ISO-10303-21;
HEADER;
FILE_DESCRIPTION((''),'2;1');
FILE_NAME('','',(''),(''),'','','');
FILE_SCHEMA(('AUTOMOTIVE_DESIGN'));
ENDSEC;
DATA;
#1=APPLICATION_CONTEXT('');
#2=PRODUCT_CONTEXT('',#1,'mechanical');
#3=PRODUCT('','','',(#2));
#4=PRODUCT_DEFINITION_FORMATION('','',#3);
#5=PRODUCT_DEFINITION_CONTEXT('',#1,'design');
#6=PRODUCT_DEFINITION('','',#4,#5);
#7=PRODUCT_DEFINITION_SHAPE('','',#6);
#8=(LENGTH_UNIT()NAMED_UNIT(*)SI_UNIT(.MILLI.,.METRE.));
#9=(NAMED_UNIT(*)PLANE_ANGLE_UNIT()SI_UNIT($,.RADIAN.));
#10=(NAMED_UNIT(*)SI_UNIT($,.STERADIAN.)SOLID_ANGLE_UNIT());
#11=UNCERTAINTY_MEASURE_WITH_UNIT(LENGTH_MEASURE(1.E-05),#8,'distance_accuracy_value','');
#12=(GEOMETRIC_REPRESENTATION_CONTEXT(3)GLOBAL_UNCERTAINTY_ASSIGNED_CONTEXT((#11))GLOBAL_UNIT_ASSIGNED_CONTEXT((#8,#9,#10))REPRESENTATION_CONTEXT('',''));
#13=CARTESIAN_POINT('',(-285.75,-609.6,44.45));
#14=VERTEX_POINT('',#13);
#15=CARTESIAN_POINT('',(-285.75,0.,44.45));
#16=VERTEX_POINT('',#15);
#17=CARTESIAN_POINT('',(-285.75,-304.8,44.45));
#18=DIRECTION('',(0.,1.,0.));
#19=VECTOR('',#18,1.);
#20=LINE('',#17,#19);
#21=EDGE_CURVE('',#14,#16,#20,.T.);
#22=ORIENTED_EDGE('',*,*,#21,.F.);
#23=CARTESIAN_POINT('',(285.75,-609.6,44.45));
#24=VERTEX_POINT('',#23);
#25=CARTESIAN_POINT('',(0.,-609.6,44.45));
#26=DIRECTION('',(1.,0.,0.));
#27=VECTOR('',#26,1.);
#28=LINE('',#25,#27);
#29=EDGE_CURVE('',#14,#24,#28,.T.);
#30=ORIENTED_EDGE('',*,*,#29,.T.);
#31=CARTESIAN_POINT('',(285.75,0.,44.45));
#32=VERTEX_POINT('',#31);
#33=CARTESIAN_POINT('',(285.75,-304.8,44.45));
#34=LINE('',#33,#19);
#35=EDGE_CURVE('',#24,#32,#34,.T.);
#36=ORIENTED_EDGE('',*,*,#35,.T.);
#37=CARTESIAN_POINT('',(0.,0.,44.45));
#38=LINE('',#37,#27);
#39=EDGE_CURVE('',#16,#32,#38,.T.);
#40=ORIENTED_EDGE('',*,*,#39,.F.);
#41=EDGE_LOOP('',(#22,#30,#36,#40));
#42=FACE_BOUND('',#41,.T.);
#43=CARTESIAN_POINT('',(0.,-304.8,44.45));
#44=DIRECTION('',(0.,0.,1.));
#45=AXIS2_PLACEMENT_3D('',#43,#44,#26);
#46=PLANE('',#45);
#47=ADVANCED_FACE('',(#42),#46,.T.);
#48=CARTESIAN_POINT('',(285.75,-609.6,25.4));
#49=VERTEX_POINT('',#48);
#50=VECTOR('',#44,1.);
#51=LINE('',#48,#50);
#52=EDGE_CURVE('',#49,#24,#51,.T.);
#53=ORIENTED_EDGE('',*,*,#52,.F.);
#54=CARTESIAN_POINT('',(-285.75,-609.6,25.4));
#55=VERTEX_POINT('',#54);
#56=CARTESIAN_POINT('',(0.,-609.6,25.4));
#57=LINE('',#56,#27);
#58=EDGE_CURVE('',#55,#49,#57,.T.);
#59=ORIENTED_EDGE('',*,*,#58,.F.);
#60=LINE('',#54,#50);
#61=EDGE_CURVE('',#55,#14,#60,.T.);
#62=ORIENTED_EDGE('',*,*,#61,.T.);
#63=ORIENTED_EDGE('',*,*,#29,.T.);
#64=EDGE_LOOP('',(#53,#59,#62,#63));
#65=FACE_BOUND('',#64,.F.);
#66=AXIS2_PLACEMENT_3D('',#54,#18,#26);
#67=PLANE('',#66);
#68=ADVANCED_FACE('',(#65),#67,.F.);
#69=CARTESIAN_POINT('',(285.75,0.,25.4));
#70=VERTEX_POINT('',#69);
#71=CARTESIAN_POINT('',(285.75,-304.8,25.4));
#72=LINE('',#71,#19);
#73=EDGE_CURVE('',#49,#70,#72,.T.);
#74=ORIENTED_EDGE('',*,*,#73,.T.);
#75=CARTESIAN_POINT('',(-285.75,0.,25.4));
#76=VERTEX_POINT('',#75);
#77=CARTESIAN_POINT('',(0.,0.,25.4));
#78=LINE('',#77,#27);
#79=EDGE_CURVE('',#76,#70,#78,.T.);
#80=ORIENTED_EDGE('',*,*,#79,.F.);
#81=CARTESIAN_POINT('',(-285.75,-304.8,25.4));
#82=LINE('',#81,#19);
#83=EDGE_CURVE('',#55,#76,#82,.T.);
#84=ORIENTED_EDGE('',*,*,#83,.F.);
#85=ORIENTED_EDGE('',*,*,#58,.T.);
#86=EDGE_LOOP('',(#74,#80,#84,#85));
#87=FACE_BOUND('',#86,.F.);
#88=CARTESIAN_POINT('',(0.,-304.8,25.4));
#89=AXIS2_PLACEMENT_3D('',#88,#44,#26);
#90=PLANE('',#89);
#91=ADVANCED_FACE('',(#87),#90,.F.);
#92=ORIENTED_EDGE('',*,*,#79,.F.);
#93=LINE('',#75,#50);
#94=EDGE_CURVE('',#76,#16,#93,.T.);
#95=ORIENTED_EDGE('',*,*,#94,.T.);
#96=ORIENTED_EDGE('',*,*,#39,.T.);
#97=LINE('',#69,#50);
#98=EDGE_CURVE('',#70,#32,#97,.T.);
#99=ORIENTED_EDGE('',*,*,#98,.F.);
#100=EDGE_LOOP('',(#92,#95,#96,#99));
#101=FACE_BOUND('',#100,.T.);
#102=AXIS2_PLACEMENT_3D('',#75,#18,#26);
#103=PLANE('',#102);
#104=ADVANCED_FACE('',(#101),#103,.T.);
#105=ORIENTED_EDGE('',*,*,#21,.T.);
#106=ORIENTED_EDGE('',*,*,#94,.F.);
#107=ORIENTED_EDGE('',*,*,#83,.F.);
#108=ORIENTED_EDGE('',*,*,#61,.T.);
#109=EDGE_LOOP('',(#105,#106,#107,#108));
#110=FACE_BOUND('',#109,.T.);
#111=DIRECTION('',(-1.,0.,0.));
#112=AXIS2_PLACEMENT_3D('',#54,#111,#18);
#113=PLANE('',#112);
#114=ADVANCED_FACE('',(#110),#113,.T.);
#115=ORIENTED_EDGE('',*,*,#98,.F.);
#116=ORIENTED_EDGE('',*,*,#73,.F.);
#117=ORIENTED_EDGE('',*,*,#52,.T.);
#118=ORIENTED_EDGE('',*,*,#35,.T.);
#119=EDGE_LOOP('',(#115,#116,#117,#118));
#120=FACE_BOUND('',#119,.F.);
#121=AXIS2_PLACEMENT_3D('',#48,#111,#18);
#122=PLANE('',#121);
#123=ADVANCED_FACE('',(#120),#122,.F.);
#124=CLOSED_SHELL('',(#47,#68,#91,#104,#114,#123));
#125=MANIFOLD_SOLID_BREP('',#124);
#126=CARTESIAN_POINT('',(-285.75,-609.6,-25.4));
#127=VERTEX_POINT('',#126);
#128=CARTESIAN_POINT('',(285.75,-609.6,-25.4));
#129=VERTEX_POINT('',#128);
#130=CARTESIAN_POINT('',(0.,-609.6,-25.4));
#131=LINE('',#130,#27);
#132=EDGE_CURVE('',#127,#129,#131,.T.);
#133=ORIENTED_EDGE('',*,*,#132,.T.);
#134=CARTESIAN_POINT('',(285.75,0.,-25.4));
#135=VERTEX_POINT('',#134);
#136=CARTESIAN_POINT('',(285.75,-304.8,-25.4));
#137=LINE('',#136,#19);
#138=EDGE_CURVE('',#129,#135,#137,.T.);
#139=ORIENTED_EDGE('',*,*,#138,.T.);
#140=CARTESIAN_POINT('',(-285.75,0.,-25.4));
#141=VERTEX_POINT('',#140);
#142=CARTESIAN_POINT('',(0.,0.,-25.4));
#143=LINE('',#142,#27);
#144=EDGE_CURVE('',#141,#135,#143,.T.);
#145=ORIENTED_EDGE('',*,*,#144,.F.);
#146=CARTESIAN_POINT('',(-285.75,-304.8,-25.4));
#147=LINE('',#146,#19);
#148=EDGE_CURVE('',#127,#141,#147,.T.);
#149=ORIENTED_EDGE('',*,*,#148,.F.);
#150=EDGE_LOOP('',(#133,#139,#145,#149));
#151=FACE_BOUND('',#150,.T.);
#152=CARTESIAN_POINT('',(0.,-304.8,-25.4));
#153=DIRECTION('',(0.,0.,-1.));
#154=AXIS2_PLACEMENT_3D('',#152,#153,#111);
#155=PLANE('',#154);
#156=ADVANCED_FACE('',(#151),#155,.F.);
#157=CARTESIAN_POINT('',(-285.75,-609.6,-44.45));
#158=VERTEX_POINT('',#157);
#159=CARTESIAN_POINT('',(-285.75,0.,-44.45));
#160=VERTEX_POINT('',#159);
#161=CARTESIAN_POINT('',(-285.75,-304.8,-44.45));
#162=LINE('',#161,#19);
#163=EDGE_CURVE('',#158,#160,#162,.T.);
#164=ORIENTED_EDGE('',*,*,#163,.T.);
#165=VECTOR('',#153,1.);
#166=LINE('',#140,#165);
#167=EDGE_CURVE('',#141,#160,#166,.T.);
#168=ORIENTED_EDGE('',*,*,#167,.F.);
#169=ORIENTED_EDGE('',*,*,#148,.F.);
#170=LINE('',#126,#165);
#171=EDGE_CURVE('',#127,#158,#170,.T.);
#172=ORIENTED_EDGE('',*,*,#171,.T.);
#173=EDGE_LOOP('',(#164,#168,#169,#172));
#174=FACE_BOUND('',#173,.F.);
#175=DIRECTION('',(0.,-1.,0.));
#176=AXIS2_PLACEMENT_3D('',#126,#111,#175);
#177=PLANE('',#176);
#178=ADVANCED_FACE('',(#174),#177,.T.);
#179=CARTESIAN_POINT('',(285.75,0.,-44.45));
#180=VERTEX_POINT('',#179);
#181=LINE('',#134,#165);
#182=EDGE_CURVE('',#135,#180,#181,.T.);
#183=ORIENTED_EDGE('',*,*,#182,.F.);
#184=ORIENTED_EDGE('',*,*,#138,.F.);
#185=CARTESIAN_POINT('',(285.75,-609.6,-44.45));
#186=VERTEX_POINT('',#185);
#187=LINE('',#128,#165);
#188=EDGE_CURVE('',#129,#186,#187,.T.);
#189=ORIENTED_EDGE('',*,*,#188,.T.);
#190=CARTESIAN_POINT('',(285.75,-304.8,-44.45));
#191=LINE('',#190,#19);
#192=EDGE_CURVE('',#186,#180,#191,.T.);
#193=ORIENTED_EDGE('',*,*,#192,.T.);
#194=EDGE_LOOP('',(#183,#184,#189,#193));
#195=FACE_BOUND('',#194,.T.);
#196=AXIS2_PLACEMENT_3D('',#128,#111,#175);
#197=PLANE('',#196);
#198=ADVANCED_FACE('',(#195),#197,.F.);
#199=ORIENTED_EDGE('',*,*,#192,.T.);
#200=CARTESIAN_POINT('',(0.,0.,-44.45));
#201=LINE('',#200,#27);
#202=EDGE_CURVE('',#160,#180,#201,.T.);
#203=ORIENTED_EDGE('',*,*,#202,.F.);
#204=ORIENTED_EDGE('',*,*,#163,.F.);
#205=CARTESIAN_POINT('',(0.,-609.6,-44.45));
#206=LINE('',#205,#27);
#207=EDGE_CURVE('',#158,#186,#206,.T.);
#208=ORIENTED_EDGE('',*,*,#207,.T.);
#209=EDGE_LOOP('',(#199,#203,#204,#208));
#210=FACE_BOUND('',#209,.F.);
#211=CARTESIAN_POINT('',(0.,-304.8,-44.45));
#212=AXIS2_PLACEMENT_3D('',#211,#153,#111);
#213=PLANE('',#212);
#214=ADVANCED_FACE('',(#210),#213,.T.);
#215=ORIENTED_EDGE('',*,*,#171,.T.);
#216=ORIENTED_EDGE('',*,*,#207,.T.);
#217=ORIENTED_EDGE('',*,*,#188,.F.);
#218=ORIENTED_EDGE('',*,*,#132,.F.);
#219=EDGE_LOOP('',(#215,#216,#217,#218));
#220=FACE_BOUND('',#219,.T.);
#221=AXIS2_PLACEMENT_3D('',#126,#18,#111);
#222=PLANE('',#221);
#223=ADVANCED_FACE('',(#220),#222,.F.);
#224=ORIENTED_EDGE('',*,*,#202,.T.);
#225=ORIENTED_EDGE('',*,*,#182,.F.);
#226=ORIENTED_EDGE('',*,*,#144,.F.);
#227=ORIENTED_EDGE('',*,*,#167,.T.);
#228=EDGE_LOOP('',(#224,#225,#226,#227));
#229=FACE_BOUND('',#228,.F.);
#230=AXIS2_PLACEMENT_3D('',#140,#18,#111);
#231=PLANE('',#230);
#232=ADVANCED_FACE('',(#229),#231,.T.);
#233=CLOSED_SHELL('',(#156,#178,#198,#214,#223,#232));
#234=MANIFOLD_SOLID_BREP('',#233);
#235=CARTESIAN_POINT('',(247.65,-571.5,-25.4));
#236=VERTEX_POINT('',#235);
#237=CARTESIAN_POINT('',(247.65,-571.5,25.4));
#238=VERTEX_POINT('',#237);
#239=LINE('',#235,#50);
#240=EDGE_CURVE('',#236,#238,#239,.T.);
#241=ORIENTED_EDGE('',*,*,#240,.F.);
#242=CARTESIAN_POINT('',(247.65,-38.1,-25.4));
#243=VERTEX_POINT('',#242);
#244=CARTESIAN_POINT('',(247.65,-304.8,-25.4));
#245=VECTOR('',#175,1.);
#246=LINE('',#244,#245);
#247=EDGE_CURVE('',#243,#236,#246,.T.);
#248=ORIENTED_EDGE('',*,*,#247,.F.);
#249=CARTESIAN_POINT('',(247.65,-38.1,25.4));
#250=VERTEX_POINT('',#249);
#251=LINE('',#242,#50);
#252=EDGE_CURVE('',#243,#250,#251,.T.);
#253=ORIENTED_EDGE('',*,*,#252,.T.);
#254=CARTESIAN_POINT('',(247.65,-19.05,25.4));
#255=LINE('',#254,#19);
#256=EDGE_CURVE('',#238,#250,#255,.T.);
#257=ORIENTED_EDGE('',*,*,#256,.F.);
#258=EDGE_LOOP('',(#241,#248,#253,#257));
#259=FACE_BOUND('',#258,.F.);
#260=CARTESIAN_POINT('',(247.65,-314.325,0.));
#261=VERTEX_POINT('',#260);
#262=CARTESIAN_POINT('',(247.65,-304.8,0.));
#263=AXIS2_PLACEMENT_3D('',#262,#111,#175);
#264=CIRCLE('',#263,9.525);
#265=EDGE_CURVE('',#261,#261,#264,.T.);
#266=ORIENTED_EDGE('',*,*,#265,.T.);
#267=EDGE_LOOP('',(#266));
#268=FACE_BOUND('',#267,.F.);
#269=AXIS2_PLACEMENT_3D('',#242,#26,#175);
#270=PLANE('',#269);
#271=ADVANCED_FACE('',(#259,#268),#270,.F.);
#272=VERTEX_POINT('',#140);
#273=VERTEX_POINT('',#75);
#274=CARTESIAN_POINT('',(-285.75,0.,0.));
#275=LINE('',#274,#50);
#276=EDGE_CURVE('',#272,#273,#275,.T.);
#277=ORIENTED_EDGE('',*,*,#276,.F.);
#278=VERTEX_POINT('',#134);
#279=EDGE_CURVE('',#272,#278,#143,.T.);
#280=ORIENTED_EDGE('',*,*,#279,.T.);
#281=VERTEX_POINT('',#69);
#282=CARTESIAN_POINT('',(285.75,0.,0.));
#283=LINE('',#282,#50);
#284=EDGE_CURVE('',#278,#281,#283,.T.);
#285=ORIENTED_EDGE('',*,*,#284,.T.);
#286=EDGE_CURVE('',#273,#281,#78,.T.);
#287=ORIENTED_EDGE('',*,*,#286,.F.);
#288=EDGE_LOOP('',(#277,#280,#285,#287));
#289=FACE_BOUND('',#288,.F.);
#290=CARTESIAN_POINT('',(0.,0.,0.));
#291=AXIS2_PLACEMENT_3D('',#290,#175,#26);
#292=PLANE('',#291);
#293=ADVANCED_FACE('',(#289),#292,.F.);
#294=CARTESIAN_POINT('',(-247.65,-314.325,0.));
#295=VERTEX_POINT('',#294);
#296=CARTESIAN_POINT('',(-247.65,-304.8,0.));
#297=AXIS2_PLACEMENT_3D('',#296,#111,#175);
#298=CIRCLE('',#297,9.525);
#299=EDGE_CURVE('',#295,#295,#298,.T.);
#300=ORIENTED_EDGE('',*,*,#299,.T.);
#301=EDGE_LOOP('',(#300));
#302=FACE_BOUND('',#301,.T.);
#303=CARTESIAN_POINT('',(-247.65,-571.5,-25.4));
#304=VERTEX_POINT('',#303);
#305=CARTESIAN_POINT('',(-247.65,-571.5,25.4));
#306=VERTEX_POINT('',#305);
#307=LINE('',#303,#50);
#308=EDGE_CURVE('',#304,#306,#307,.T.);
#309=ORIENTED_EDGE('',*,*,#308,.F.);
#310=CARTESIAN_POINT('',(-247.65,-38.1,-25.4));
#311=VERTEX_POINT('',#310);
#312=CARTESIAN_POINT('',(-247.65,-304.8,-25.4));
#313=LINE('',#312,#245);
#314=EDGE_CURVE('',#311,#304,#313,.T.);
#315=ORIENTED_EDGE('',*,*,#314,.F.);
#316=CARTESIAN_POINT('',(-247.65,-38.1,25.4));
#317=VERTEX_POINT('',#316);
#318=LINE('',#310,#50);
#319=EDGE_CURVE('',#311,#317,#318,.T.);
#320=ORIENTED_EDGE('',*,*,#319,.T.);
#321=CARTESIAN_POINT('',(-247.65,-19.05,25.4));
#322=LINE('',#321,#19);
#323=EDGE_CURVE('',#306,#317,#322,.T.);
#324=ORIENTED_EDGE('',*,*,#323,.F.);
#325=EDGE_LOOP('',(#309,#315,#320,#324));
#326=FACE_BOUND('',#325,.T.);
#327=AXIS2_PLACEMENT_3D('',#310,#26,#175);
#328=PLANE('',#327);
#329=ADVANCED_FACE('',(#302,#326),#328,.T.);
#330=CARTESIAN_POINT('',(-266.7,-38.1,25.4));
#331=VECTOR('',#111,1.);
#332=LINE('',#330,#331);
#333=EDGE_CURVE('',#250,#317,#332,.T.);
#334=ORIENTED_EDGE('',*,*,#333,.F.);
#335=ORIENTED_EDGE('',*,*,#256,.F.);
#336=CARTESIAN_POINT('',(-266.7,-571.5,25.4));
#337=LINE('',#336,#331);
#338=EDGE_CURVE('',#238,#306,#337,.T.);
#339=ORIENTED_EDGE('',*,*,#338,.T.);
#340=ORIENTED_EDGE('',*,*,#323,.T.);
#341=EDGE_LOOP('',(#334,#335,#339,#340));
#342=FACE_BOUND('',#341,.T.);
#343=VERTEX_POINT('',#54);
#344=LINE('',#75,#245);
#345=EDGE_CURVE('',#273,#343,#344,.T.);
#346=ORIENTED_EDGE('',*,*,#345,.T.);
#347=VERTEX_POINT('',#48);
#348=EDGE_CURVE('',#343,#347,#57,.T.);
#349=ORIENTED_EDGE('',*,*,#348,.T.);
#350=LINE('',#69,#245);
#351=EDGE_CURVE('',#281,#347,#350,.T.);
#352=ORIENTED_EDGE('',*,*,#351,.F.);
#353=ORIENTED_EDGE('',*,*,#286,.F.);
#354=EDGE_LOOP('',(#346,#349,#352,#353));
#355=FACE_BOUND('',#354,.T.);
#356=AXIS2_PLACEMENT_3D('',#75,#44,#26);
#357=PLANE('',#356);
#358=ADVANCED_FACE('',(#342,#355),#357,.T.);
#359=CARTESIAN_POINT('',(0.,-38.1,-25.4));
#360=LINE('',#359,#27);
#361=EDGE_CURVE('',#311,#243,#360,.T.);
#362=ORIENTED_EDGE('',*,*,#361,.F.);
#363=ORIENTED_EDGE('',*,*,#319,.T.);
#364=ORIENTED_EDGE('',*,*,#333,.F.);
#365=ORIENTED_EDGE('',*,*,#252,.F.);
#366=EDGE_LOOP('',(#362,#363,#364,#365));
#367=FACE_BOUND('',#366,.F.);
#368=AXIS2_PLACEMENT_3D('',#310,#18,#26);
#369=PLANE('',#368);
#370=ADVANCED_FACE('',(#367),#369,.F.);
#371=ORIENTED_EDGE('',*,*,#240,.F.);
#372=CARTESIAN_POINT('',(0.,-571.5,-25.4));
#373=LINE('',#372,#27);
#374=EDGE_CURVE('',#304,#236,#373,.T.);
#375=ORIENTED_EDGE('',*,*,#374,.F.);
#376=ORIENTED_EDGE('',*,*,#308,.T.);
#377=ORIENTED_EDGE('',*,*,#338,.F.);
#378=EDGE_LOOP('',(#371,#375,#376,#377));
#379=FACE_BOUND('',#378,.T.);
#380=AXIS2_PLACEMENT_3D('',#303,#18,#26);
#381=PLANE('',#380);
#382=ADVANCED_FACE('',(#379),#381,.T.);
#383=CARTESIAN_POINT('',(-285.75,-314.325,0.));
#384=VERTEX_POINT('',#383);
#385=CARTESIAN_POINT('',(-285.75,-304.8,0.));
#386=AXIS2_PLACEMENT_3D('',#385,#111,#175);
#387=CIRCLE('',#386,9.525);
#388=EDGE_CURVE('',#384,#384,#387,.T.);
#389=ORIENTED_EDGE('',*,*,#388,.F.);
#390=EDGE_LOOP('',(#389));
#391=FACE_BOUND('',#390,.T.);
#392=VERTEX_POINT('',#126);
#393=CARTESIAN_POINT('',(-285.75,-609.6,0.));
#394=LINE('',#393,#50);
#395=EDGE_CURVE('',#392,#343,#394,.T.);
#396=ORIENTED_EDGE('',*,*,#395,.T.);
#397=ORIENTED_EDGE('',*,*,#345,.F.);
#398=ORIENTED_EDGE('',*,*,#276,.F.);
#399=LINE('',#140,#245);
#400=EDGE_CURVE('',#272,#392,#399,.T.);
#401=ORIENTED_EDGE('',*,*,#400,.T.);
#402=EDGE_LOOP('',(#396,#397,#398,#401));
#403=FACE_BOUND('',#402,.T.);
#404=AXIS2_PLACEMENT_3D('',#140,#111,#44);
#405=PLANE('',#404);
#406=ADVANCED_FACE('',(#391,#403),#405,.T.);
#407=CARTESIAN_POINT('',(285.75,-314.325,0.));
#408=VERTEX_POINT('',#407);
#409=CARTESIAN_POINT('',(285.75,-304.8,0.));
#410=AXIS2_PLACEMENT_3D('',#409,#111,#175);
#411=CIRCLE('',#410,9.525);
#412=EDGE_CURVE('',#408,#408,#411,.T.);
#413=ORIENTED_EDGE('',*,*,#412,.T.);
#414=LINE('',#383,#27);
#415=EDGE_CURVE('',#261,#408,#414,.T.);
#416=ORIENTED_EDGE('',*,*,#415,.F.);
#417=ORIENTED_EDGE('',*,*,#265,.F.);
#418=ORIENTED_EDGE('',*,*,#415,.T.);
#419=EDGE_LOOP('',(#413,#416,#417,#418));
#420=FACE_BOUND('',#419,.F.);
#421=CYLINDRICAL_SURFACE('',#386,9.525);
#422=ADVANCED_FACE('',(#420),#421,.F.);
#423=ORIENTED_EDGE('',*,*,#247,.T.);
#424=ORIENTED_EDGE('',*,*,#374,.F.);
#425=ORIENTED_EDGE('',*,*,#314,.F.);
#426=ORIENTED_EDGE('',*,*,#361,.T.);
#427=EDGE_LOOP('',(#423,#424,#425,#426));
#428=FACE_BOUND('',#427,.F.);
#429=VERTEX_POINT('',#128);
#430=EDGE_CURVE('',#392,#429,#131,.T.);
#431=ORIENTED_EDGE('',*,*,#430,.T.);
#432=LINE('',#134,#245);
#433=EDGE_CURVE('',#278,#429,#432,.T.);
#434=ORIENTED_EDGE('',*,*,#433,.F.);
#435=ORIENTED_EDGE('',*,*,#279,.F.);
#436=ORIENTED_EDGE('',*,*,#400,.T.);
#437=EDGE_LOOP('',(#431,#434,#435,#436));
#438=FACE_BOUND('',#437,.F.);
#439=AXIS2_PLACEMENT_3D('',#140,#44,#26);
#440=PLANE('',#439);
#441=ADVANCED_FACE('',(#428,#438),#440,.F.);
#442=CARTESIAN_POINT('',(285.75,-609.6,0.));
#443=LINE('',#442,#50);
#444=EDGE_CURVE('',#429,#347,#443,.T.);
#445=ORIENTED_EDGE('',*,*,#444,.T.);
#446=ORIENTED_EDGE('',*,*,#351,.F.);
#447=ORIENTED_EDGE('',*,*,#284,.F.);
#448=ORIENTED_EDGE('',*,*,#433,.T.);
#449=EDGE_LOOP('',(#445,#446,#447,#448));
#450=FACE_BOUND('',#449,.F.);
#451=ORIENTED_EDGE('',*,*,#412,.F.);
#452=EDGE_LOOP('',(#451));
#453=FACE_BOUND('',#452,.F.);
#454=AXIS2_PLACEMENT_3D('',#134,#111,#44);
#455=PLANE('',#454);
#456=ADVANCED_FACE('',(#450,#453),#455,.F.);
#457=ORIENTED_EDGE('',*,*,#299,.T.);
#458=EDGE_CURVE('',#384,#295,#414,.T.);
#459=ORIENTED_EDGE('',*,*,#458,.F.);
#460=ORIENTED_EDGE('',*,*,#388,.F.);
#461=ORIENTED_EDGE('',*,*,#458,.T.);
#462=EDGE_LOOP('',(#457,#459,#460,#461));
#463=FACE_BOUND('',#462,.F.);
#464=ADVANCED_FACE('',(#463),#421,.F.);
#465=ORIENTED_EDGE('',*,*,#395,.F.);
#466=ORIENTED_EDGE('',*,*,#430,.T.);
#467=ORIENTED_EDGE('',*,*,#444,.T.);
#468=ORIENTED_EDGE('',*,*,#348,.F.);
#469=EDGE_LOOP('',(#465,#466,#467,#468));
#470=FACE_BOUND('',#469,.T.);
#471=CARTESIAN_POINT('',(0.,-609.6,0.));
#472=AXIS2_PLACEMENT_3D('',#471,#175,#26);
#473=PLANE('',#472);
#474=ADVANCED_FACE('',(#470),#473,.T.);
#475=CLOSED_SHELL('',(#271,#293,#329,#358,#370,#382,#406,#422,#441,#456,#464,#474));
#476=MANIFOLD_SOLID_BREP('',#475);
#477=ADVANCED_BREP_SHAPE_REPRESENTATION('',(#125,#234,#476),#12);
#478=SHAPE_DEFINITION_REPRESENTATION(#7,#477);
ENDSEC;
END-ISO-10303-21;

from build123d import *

# Parameters (mm, degrees)
F0_W     = 571.5
F0_H     = 50.8
F1_DEPTH = 609.6
F2_R     = 9.525
F3_DEPTH = 571.501
F4_W     = 495.3
F4_H     = 533.4
F5_DEPTH = 50.801
F6_W     = 571.5
F6_H     = 609.6
F7_DEPTH = 19.05


with BuildPart() as f1:
    # F0 (on Front) → F1 (new body)
    with BuildSketch(Plane.XZ):
        Rectangle(F0_W, F0_H)
    extrude(amount=F1_DEPTH)

    # F2 (on face) → F3 (cut, through all)
    with BuildSketch(Plane(origin=(-285.75, 0, 0), x_dir=(0, -1, 0), z_dir=(-1, 0, 0))):
        with Locations((304.8, 0)):
            Circle(F2_R)
    extrude(amount=-F3_DEPTH, mode=Mode.SUBTRACT)

    # F4 (on face) → F5 (cut, through all)
    with BuildSketch(Plane(origin=(0, 0, -25.4), x_dir=(1, 0, 0), z_dir=(0, 0, -1))):
        with Locations((0, 304.8)):
            Rectangle(F4_W, F4_H)
    extrude(amount=-F5_DEPTH, mode=Mode.SUBTRACT)


with BuildPart() as f7:
    # F6 (on face) → F7 (new body)
    with BuildSketch(Plane.XY.offset(25.4)):
        with Locations((0, -304.8)):
            Rectangle(F6_W, F6_H)
    extrude(amount=F7_DEPTH)


with BuildPart() as f8_1:
    # F8: instance of F7
    add(f7.part.mirror(Plane.XY))


solid = Compound([f1.part, f7.part, f8_1.part])
